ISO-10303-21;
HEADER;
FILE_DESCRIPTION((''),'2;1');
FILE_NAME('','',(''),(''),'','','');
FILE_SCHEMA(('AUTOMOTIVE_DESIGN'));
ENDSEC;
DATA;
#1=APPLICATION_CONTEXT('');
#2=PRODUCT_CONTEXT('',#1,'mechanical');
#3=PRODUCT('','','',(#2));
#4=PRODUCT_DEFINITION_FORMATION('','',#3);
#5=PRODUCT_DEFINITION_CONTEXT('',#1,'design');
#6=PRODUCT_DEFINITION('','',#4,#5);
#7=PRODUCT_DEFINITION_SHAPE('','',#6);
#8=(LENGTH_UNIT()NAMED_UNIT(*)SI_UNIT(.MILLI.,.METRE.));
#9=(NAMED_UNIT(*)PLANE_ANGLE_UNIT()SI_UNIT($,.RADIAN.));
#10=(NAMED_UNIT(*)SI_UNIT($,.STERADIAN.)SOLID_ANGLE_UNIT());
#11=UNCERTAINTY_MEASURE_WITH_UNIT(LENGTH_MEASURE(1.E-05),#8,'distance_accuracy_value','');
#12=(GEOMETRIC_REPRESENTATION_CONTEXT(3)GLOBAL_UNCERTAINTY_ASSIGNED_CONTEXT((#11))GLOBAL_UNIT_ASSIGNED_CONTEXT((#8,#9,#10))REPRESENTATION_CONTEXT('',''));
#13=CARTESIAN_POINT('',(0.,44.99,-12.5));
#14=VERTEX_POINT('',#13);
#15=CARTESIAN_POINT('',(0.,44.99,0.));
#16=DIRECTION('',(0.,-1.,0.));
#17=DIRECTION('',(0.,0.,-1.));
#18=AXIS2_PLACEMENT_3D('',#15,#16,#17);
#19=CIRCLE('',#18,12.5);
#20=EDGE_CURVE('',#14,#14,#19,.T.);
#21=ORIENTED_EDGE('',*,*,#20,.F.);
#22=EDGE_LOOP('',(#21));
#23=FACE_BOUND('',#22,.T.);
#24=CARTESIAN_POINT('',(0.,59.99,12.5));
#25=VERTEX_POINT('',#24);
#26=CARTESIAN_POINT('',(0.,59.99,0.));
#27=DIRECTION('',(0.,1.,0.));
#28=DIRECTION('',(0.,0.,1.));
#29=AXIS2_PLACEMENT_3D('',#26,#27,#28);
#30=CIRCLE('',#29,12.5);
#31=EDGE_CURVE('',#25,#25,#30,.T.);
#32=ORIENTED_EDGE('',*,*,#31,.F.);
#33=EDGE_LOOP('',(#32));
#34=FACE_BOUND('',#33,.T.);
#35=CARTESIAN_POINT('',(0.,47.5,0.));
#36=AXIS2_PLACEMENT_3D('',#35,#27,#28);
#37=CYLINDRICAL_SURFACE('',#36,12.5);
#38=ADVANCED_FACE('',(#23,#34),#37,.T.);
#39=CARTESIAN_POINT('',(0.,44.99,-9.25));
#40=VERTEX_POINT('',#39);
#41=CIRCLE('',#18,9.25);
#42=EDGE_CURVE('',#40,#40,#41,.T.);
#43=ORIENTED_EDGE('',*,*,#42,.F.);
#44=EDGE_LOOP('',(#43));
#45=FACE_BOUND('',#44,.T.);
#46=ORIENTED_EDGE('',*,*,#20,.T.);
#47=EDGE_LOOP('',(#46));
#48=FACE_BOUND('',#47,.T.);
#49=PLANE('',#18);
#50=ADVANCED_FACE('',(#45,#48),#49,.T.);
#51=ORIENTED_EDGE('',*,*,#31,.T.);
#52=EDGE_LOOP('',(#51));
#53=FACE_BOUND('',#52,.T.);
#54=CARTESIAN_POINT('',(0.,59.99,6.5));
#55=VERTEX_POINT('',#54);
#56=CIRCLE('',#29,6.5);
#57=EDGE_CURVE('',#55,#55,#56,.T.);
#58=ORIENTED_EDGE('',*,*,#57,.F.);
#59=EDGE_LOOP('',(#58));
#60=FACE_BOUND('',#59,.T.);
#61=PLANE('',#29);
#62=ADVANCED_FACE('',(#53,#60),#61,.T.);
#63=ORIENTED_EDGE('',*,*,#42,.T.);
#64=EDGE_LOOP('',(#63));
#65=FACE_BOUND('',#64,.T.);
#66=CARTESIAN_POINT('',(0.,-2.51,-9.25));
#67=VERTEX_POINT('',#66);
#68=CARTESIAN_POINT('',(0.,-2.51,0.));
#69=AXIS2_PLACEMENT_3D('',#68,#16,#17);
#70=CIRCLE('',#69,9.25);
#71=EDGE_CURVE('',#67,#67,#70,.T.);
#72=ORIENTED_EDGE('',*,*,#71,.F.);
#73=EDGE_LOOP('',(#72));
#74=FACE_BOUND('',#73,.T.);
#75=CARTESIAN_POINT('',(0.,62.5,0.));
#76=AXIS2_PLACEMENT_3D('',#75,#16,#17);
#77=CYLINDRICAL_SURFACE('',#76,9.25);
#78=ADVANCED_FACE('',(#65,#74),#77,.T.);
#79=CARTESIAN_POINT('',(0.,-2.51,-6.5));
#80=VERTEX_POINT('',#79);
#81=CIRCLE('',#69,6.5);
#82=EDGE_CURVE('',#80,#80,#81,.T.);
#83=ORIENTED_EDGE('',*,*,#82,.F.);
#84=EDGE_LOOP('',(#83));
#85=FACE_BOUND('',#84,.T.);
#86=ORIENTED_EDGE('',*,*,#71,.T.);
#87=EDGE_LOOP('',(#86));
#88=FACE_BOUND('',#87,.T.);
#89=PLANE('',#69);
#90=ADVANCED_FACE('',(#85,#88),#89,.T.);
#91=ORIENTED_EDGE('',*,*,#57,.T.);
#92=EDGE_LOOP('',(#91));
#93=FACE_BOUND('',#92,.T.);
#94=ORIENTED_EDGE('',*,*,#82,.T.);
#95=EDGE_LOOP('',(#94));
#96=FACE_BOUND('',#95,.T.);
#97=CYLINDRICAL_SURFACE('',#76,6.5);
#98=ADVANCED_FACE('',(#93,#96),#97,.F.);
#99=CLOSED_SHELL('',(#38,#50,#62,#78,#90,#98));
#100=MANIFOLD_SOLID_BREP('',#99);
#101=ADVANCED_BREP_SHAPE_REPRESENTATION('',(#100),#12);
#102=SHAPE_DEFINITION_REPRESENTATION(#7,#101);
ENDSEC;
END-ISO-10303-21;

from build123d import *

# Parameters (mm, degrees)
SKETCH1_R           = 9.25
SKETCH1_R_2         = 6.5
BOSS_EXTRUDE1_DEPTH = 62.5
BOSS_EXTRUDE2_START = -15
SKETCH3_R           = 12.5
SKETCH3_R_2         = 6.5
BOSS_EXTRUDE2_DEPTH = 15
BOSS_EXTRUDE3_START = 2.51
SKETCH4_R           = 9.25
SKETCH4_R_2         = 6.5
BOSS_EXTRUDE3_DEPTH = 2.51
BOSS_EXTRUDE4_START = 2.51
SKETCH5_R           = 12.5
SKETCH5_R_2         = 9.25
BOSS_EXTRUDE4_DEPTH = 2.51
CUT_EXTRUDE1_START  = -2.51
SKETCH6_R           = 12.5
SKETCH6_R_2         = 6.5
CUT_EXTRUDE1_DEPTH  = 2.51


with BuildPart() as part:
    # Sketch1 → Boss-Extrude1 (new body)
    with BuildSketch(Plane(origin=(0, 0, 0), x_dir=(1, 0, 0), z_dir=(0, 1, 0))):
        with Locations(Location((0, 0, 0), (0, 0, 270))):
            Circle(SKETCH1_R)
        with Locations(Location((0, 0, 0), (0, 0, 270))):
            Circle(SKETCH1_R_2, mode=Mode.SUBTRACT)
    extrude(amount=BOSS_EXTRUDE1_DEPTH)

    # Sketch3 → Boss-Extrude2 (add)
    with BuildSketch(Plane(origin=(0, 62.5, 0), x_dir=(1, 0, 0), z_dir=(0, 1, 0)).offset(BOSS_EXTRUDE2_START)):
        with Locations(Location((0, 0, 0), (0, 0, 270))):
            Circle(SKETCH3_R)
        with Locations(Location((0, 0, 0), (0, 0, 270))):
            Circle(SKETCH3_R_2, mode=Mode.SUBTRACT)
    extrude(amount=BOSS_EXTRUDE2_DEPTH)

    # Sketch4 → Boss-Extrude3 (add)
    with BuildSketch(Plane.XZ.offset(BOSS_EXTRUDE3_START)):
        with Locations(Location((0, 0, 0), (0, 0, 270))):
            Circle(SKETCH4_R)
        with Locations(Location((0, 0, 0), (0, 0, 270))):
            Circle(SKETCH4_R_2, mode=Mode.SUBTRACT)
    extrude(amount=-BOSS_EXTRUDE3_DEPTH)

    # Sketch5 → Boss-Extrude4 (add)
    with BuildSketch(Plane.XZ.offset(-47.5).offset(BOSS_EXTRUDE4_START)):
        with Locations(Location((0, 0, 0), (0, 0, 90))):
            Circle(SKETCH5_R)
        with Locations(Location((0, 0, 0), (0, 0, 270))):
            Circle(SKETCH5_R_2, mode=Mode.SUBTRACT)
    extrude(amount=-BOSS_EXTRUDE4_DEPTH)

    # Sketch6 → Cut-Extrude1 (cut)
    with BuildSketch(Plane(origin=(0, 62.5, 0), x_dir=(1, 0, 0), z_dir=(0, 1, 0)).offset(CUT_EXTRUDE1_START)):
        with Locations(Location((0, 0, 0), (0, 0, 270))):
            Circle(SKETCH6_R)
        with Locations(Location((0, 0, 0), (0, 0, 90))):
            Circle(SKETCH6_R_2, mode=Mode.SUBTRACT)
    extrude(amount=CUT_EXTRUDE1_DEPTH, mode=Mode.SUBTRACT)


solid = part.part
